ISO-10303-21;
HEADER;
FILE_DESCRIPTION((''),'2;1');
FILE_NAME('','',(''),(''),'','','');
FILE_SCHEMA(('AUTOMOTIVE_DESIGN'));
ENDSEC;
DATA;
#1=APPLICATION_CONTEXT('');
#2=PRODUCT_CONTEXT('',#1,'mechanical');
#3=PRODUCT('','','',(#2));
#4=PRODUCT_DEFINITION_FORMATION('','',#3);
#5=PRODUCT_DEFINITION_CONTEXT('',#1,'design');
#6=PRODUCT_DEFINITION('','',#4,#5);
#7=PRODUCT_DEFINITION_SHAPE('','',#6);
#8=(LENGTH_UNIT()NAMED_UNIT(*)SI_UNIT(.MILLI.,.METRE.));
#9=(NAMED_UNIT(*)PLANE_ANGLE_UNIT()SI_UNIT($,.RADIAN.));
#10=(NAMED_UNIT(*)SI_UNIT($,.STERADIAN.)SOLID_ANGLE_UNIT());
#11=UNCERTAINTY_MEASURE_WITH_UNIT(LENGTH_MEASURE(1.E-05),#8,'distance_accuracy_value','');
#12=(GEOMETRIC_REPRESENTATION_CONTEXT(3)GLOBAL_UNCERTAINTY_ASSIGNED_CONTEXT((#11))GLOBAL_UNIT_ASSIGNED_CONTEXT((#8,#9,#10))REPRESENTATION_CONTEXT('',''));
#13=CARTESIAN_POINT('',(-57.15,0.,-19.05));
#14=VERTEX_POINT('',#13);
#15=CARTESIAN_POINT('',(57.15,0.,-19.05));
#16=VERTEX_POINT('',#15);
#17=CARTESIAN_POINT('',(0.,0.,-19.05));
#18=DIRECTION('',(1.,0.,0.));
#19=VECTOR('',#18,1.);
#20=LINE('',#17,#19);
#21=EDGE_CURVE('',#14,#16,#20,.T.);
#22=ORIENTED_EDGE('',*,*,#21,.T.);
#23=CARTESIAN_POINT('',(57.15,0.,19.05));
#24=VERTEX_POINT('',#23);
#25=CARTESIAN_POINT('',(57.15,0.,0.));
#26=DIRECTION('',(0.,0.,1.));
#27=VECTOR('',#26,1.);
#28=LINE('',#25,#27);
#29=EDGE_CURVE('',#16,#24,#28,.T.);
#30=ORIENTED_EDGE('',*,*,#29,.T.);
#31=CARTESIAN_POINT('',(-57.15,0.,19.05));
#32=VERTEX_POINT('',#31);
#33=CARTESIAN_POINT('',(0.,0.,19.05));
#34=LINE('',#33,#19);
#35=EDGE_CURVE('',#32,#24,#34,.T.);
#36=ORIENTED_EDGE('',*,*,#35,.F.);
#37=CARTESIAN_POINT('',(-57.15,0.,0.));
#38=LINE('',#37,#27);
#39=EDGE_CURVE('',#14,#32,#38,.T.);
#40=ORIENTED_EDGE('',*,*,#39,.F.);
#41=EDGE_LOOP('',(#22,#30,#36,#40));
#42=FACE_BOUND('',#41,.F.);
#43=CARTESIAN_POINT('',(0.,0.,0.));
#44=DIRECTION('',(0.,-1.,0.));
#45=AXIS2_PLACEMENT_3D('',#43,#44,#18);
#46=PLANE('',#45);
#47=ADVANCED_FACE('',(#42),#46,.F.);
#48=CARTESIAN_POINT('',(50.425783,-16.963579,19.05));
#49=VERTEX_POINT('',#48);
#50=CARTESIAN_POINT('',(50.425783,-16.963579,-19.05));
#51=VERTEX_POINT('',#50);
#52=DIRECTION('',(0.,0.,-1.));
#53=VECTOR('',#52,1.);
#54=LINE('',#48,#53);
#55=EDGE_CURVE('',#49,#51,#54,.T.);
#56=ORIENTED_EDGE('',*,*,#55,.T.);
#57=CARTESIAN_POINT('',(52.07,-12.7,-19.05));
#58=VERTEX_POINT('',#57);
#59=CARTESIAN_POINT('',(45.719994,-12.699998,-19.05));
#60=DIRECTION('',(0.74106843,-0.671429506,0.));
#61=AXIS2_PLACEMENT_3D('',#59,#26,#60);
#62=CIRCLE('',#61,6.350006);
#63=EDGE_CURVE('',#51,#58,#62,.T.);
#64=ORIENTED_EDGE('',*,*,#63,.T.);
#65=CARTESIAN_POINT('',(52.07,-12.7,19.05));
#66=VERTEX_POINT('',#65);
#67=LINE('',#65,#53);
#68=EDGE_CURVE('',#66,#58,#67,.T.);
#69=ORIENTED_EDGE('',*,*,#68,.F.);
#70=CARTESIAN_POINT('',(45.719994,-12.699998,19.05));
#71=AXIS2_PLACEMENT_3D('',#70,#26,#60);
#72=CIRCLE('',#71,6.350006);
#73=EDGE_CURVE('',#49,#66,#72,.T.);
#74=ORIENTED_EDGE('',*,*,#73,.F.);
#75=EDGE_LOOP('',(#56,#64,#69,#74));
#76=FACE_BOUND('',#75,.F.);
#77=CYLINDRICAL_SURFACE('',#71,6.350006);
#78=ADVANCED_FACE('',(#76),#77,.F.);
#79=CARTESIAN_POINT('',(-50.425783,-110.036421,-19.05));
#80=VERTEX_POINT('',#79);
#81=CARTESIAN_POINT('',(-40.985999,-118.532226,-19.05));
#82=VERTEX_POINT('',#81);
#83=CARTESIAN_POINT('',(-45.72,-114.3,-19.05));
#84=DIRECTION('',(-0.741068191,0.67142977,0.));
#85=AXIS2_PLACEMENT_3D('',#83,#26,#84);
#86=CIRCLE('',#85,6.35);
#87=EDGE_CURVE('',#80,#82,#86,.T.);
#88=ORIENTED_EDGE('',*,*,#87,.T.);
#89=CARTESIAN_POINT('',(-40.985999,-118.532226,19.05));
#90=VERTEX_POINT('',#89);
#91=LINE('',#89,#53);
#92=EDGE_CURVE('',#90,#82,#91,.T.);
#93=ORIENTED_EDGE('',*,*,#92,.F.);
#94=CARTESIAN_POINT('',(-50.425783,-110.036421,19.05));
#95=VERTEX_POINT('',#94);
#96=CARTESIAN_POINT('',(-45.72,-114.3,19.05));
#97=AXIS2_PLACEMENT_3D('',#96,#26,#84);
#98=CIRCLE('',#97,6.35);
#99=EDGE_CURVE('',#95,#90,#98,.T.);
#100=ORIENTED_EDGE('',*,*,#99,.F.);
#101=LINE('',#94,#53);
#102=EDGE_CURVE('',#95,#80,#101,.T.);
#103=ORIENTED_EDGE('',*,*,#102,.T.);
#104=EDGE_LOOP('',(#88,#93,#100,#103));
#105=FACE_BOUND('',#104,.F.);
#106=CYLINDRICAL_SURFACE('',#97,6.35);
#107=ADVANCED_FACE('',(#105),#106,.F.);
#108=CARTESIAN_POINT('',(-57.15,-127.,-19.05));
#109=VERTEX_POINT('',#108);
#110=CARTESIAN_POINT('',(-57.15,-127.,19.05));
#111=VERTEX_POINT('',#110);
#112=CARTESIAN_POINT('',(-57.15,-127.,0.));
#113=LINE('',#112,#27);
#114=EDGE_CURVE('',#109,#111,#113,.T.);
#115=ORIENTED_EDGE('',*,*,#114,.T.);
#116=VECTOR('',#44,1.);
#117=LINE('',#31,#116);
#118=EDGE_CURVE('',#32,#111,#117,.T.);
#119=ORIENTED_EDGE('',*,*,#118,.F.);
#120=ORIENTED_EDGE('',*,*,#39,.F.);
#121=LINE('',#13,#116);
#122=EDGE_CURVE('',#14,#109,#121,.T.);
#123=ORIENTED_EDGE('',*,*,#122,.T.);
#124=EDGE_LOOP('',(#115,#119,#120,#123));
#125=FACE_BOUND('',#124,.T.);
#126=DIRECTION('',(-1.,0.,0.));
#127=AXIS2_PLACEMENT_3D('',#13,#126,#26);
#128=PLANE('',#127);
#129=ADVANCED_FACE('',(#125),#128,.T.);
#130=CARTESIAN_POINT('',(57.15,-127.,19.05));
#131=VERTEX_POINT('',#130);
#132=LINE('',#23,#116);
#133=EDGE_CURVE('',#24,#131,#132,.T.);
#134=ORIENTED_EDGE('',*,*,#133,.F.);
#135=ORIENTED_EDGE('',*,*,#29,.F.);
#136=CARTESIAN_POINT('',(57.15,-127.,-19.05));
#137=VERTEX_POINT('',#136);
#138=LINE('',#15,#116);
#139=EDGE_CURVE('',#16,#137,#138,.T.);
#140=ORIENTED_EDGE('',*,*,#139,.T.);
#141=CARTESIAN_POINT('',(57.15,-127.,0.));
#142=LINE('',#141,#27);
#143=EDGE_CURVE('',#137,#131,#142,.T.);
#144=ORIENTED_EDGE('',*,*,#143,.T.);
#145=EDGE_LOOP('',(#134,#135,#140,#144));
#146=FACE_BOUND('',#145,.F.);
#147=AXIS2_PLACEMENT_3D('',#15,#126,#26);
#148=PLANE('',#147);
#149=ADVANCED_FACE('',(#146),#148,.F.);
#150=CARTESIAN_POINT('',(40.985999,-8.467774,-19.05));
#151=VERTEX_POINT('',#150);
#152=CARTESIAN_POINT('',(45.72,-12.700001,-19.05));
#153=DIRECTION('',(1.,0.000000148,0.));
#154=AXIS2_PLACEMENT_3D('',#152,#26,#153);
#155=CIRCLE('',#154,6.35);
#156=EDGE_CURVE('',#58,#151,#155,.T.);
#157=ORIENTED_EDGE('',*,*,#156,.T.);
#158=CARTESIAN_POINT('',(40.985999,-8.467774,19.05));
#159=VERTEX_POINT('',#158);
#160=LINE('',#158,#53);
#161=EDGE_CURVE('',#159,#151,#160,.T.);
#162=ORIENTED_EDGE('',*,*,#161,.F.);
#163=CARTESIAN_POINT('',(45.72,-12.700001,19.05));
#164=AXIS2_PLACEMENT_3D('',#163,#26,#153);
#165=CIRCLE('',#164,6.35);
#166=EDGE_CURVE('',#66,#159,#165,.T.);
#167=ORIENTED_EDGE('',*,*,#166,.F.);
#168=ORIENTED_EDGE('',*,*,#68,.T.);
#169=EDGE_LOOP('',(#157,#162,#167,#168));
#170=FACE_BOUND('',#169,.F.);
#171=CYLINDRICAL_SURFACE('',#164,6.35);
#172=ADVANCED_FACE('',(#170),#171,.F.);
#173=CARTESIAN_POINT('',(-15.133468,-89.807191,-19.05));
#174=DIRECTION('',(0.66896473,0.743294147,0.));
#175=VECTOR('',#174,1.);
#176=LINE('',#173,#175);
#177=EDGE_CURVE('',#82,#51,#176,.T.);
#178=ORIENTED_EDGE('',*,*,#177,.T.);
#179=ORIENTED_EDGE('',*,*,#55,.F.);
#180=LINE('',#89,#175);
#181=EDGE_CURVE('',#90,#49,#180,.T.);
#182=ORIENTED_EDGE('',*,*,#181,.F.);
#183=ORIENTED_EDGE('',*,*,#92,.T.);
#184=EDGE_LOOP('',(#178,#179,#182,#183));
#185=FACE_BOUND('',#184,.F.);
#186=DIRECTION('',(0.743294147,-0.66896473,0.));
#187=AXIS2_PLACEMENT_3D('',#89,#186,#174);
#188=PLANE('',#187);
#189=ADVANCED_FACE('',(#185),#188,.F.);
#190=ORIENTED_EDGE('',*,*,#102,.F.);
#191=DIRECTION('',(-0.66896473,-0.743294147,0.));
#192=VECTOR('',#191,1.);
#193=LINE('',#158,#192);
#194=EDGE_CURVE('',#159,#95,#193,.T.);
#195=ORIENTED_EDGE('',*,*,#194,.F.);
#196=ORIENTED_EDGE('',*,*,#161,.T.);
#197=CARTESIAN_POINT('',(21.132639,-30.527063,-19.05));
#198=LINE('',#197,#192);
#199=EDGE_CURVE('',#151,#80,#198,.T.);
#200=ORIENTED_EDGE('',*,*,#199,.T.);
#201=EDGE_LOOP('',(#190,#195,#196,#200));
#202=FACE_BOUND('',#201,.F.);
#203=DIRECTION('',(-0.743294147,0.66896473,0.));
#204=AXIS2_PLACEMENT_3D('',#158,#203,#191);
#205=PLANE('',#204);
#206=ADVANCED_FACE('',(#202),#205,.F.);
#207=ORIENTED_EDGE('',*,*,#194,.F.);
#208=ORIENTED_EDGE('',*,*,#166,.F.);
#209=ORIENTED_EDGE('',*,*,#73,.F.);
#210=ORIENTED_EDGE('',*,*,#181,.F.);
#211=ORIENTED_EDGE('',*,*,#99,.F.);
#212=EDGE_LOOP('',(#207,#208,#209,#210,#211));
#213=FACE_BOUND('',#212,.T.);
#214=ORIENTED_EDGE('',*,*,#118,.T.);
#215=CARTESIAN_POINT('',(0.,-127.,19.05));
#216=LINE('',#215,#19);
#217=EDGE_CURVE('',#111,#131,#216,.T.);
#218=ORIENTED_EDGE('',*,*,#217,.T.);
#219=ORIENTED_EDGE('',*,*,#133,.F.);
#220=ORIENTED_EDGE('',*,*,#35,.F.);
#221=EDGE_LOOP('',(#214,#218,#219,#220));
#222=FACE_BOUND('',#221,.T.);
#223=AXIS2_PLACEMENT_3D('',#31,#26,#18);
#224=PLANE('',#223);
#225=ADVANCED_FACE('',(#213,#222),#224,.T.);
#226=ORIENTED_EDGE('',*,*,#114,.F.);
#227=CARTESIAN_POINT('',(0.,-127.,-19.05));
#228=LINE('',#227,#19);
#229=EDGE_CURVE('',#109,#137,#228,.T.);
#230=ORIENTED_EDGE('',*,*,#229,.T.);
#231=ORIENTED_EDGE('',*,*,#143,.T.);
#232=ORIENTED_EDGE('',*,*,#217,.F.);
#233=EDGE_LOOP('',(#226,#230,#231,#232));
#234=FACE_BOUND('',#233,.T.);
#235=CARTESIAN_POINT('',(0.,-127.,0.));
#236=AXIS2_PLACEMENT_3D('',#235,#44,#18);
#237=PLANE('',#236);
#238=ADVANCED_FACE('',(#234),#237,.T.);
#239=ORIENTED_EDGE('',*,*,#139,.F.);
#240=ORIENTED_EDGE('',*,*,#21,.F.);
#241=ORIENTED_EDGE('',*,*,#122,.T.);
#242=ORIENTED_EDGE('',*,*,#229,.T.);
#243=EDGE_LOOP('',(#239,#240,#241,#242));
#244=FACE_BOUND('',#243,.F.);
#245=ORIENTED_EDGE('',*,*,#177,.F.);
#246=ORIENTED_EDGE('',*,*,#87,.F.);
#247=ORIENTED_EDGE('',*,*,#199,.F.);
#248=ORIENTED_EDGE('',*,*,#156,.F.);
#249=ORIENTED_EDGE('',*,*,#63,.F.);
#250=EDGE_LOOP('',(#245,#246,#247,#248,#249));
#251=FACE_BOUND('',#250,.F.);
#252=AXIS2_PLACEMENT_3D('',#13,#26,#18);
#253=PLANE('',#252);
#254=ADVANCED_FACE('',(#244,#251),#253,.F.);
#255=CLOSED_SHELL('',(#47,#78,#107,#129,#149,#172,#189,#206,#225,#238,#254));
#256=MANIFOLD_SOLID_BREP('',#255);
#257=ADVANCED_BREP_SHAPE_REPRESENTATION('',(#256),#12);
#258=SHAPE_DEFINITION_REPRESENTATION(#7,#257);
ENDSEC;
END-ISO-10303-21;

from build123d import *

# Parameters (mm, degrees)
F0_W     = 114.3
F0_H     = 38.1
F1_DEPTH = 127
F3_DEPTH = 38.101


with BuildPart() as f1:
    # F0 (on Front) → F1 (new body)
    with BuildSketch(Plane.XZ):
        Rectangle(F0_W, F0_H)
    extrude(amount=F1_DEPTH)

    # F2 (on face) → F3 (cut, through all)
    with BuildSketch(Plane.XY.offset(19.05)):
        with BuildLine():
            ThreePointArc((-50.425783, -110.036421), (-43.435183, -108.375297), (-39.37, -114.3))
            ThreePointArc((-39.37, -114.3), (-39.787741, -116.565126), (-40.985999, -118.532226))
            Line((-40.985999, -118.532226), (50.425783, -16.963579))
            ThreePointArc((50.425783, -16.963579), (41.472074, -17.419918), (40.985999, -8.467774))
            Line((40.985999, -8.467774), (-50.425783, -110.036421))
        make_face()
        with BuildLine():
            ThreePointArc((-40.985999, -118.532226), (-39.787741, -116.565126), (-39.37, -114.3))
            ThreePointArc((-39.37, -114.3), (-43.435183, -108.375297), (-50.425783, -110.036421))
            ThreePointArc((-50.425783, -110.036421), (-49.967926, -119.019918), (-40.985999, -118.532226))
        make_face()
        with BuildLine():
            ThreePointArc((52.07, -12.7), (47.985126, -6.767741), (40.985999, -8.467774))
            ThreePointArc((40.985999, -8.467774), (41.472074, -17.419918), (50.425783, -16.963579))
            ThreePointArc((50.425783, -16.963579), (51.644703, -14.984817), (52.07, -12.7))
        make_face()
    extrude(amount=-F3_DEPTH, mode=Mode.SUBTRACT)


solid = f1.part
